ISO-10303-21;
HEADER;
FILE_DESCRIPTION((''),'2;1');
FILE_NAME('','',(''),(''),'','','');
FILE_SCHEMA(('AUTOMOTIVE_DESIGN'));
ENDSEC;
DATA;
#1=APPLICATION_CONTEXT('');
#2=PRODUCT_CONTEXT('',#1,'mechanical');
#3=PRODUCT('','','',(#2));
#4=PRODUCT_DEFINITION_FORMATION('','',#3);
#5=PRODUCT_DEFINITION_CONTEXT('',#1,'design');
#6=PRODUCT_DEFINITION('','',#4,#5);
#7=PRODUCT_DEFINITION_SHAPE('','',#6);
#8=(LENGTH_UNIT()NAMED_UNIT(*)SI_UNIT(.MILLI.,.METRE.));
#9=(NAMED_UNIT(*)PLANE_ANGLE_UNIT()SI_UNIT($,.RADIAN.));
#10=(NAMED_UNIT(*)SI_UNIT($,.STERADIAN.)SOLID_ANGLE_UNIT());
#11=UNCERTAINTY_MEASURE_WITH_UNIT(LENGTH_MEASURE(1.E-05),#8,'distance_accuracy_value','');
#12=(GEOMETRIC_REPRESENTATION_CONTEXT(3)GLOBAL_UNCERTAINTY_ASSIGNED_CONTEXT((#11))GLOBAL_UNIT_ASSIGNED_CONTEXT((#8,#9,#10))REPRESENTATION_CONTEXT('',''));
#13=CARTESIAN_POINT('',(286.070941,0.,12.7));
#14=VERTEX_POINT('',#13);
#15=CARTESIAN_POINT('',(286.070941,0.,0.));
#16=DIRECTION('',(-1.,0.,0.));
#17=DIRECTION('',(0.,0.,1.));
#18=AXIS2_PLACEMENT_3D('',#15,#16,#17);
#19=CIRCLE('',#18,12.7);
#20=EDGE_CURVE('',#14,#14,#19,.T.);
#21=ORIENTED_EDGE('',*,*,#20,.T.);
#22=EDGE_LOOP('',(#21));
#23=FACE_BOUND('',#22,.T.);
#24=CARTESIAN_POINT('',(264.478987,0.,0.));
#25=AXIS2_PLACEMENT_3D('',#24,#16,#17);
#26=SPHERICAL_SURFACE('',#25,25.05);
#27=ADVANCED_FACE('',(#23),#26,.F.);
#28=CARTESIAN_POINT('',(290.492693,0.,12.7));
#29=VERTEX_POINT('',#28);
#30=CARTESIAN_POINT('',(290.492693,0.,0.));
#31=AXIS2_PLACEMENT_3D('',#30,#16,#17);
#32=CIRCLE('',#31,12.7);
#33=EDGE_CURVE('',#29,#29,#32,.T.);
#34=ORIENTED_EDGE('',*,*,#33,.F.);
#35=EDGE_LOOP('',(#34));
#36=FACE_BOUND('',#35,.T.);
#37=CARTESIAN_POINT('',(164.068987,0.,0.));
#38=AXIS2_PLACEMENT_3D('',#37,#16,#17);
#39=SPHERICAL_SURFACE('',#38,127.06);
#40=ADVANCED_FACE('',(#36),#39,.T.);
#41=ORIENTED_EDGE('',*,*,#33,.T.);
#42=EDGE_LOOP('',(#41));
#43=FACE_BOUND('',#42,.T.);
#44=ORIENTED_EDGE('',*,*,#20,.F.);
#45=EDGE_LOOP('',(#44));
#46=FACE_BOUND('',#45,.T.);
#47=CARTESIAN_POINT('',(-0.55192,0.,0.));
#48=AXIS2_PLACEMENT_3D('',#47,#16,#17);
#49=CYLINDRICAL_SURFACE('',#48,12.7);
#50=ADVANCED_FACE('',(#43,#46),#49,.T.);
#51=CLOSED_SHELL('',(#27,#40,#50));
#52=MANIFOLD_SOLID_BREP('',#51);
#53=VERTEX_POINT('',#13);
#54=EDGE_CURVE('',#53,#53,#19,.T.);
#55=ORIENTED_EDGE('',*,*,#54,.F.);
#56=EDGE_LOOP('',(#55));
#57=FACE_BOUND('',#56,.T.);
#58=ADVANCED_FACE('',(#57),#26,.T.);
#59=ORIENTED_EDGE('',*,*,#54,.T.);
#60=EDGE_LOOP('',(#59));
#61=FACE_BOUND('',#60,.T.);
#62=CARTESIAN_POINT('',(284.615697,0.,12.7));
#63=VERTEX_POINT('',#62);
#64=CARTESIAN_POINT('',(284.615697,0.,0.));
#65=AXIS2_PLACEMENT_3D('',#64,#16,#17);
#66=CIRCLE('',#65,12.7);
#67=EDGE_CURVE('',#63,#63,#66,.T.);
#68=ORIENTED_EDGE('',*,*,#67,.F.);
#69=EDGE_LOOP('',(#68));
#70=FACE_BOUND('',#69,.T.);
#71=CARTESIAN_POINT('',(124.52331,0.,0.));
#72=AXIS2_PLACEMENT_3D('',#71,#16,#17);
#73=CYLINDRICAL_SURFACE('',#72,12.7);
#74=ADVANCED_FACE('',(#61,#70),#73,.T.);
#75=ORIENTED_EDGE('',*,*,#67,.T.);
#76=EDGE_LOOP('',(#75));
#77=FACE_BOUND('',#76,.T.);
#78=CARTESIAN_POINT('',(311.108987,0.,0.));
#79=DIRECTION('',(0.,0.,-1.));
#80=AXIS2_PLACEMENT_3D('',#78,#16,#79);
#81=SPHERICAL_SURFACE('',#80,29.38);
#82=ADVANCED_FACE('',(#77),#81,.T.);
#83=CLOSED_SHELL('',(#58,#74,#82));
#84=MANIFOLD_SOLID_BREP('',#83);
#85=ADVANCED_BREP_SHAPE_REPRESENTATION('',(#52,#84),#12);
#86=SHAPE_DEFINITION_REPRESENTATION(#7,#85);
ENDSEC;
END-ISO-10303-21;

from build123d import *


with BuildPart() as part:
    # 草图1 one side → 旋转1 (revolve)
    with BuildSketch(Plane(origin=(0, 0, 0), x_dir=(1, 0, 0), z_dir=(0, 1, 0)), mode=Mode.PRIVATE) as revolve_1_sk:
        with BuildLine():
            ThreePointArc((284.615696838, 12.7), (282.459752255, 6.511971596), (281.728986555, 0))
            Line((281.728986555, 0), (289.528986555, 0))
            ThreePointArc((289.528986555, 0), (288.649019247, 6.581186795), (286.070941075, 12.7))
            Line((286.070941075, 12.7), (284.615696838, 12.7))
        make_face()
    revolve(revolve_1_sk.sketch.rotate(Axis((124.523309526, 0, 0), (1, 0, 0)), 180), axis=Axis((124.523309526, 0, 0), (1, 0, 0)))  # turned: the seam where the file's is


with BuildPart() as body_2:
    # 草图2 one side → 旋转3 (revolve)
    with BuildSketch(Plane(origin=(0, 0, 0), x_dir=(1, 0, 0), z_dir=(0, 1, 0)), mode=Mode.PRIVATE) as revolve_3_sk:
        with BuildLine():
            Line((290.492693192, 12.7), (286.070941075, 12.7))
            ThreePointArc((286.070941075, 12.7), (288.649019247, 6.581186795), (289.528986555, 0))
            Line((289.528986555, 0), (291.128986555, 0))
            ThreePointArc((291.128986555, 0), (290.969813513, 6.357964872), (290.492693192, 12.7))
        make_face()
    revolve(revolve_3_sk.sketch.rotate(Axis((-0.551919993, 0, 0), (1, 0, 0)), 180), axis=Axis((-0.551919993, 0, 0), (1, 0, 0)))  # turned: the seam where the file's is


solid = Compound([part.part, body_2.part])
